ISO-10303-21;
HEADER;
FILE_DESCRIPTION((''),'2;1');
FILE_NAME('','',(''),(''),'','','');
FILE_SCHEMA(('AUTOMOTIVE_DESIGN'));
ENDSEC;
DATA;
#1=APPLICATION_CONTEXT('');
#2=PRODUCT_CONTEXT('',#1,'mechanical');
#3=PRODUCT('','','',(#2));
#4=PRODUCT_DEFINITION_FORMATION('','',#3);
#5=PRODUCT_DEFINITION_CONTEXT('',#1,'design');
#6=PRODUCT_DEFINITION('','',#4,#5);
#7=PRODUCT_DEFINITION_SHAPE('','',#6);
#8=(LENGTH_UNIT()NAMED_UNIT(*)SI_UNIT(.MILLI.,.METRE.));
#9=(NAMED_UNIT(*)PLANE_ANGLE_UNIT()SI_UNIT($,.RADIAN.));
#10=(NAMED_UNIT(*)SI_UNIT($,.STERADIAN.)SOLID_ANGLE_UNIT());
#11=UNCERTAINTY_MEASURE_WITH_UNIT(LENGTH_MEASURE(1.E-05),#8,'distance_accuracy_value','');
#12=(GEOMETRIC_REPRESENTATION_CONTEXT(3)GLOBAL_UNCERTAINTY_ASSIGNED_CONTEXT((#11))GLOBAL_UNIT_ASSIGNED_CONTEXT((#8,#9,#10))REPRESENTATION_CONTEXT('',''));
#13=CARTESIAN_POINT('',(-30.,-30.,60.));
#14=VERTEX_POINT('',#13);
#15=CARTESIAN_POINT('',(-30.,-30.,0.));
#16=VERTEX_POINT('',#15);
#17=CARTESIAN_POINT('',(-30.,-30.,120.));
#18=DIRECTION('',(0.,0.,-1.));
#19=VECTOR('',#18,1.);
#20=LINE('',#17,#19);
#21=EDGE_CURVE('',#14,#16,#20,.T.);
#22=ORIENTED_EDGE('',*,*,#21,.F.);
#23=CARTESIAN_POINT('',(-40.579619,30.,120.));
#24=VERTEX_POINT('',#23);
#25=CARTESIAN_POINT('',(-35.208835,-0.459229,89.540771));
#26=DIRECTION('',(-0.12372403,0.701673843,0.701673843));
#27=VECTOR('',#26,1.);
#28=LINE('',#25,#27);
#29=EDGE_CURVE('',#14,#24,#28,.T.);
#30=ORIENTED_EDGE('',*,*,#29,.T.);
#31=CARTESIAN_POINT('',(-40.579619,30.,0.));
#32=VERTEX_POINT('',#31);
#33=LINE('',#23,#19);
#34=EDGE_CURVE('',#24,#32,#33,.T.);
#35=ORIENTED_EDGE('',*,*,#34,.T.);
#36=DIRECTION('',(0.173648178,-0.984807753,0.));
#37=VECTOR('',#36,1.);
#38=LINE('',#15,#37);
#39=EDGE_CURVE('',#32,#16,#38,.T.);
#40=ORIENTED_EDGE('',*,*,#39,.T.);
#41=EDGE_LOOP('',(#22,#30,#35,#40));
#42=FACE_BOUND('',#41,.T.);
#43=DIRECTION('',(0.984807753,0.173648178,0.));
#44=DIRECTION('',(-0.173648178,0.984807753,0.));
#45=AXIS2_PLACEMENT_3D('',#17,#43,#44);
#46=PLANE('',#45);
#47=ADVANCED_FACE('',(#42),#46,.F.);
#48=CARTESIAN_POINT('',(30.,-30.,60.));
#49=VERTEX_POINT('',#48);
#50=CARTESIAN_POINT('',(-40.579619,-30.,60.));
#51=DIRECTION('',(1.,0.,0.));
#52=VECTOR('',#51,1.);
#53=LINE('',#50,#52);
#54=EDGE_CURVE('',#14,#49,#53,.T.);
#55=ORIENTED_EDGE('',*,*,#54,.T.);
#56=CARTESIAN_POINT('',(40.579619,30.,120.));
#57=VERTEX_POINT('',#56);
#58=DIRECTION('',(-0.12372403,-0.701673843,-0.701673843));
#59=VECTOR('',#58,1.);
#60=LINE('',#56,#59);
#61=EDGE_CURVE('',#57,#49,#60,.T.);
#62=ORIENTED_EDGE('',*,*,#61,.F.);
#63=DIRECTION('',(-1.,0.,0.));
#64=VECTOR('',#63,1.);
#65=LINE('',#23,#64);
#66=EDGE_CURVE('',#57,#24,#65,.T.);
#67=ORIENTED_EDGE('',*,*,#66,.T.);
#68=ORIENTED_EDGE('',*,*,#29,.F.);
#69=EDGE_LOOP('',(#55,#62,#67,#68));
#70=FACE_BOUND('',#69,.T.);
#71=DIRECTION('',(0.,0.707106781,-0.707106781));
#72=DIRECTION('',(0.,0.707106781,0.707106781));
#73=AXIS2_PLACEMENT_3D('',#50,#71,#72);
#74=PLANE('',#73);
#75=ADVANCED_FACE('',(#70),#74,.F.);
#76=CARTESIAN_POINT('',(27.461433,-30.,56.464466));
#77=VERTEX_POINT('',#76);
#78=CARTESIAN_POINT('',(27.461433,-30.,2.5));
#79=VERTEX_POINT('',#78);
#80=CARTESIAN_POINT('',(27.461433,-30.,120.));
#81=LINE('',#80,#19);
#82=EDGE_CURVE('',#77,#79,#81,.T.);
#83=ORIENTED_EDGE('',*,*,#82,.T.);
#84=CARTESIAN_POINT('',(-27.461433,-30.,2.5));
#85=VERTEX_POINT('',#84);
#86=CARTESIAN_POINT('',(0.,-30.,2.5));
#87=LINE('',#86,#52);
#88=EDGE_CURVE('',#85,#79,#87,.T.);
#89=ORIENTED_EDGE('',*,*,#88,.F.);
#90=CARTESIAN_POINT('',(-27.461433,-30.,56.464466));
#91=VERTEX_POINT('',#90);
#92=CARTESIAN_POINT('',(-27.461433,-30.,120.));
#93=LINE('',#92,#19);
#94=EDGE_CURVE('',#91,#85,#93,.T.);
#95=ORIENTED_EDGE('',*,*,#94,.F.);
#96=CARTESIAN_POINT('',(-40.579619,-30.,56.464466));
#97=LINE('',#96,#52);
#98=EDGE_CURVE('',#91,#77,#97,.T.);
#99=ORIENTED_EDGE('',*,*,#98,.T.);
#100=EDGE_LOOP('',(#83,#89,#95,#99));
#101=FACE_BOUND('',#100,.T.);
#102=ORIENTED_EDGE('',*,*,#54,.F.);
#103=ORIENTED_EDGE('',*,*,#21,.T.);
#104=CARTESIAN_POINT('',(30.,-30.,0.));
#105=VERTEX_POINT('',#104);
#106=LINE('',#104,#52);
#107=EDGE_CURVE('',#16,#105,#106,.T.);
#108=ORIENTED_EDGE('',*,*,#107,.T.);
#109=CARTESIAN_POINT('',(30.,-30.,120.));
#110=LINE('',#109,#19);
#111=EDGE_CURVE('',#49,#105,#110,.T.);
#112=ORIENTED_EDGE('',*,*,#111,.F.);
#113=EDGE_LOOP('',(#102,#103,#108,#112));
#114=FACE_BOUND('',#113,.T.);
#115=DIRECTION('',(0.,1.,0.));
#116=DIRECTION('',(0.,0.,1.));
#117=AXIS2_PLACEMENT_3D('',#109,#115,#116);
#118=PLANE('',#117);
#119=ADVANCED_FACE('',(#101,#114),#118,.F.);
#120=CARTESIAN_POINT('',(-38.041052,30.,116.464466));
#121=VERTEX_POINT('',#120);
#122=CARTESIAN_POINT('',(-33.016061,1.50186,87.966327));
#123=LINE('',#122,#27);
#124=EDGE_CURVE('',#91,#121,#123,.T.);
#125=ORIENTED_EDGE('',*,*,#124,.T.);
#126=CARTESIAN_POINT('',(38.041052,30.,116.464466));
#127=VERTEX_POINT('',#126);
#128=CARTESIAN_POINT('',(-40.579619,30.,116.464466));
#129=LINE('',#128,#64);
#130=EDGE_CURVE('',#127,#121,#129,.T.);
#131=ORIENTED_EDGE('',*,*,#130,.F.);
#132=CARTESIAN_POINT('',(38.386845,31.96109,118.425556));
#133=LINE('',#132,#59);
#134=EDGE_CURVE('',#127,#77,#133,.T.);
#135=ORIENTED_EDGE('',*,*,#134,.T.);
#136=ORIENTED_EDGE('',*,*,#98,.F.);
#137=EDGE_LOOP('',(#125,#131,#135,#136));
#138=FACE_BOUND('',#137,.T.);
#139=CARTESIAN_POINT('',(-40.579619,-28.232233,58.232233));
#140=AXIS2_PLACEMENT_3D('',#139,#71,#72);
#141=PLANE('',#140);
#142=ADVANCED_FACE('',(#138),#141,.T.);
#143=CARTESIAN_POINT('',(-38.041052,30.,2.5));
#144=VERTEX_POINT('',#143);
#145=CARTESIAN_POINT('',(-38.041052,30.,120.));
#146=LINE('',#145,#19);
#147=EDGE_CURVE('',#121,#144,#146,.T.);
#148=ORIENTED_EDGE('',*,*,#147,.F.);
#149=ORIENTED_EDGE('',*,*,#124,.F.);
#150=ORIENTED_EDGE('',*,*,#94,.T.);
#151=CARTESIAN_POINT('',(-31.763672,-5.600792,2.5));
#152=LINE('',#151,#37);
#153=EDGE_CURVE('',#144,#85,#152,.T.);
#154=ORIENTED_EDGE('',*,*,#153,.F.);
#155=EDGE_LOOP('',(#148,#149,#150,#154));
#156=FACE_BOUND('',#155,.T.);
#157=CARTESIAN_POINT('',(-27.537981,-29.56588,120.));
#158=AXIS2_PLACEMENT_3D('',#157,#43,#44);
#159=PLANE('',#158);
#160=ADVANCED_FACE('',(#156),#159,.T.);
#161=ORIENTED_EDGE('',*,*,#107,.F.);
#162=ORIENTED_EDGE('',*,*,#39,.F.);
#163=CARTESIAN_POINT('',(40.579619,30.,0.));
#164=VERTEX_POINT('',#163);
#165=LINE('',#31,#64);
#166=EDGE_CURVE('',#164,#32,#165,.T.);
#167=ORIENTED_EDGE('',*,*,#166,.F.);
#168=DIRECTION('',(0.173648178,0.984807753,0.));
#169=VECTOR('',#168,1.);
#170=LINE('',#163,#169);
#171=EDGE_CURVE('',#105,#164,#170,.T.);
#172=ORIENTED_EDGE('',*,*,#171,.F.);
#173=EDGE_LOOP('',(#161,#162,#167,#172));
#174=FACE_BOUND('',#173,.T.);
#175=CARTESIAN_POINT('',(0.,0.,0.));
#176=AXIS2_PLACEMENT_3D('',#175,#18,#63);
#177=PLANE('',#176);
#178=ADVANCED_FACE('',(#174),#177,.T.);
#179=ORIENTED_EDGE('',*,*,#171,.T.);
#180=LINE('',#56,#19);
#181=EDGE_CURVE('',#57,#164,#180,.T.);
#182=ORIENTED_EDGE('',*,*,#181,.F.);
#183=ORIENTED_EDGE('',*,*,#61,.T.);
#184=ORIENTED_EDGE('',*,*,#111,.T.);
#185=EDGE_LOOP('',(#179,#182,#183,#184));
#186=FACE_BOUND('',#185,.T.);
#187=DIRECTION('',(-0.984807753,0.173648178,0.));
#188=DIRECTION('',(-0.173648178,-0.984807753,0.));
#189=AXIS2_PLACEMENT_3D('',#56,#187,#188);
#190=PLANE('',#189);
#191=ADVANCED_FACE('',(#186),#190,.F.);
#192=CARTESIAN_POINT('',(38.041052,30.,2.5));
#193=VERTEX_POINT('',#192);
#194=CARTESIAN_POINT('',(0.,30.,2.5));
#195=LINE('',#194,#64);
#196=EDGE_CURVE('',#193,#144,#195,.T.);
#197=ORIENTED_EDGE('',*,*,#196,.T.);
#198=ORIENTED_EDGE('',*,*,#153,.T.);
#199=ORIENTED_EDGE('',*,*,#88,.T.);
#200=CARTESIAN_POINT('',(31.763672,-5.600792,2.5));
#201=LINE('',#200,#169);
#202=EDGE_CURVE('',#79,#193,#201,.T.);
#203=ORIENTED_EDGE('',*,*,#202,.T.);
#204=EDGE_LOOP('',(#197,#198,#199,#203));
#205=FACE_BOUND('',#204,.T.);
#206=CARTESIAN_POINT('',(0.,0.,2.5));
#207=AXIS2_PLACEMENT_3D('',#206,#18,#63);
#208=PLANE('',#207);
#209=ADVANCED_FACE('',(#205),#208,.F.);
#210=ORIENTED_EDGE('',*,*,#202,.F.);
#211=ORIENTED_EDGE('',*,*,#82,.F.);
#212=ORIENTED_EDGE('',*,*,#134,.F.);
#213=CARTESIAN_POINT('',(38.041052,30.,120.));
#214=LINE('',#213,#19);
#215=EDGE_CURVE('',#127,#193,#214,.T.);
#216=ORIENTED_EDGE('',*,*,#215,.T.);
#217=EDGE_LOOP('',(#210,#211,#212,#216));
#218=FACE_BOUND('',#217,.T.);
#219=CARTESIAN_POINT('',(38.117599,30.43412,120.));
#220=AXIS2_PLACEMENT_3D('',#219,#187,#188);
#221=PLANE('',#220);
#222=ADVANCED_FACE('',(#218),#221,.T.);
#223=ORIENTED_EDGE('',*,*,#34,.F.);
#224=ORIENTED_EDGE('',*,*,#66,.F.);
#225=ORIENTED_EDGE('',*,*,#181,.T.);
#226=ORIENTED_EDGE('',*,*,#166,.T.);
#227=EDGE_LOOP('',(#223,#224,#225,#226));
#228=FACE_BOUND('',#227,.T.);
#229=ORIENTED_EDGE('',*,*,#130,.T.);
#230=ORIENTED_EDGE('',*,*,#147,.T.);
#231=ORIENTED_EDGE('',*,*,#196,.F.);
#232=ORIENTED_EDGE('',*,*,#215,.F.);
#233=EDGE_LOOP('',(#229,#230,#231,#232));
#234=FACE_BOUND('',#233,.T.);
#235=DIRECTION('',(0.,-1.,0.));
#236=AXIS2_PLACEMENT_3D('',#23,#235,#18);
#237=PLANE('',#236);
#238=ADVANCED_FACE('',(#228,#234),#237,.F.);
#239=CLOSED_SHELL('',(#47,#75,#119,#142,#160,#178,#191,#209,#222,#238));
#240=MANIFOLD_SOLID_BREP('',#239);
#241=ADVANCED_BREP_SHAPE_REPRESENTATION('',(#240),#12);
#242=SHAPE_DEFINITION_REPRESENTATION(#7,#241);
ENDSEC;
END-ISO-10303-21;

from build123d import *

# Parameters (mm, degrees)
BOSS_EXTRUDE1_DEPTH     = 120
CUT_EXTRUDE1_DEPTH      = 131.179512464
CUT_EXTRUDE1_DEPTH_BACK = 131.179512464
SHELL1_T                = -2.5


with BuildPart() as part:
    # Sketch1 → Boss-Extrude1 (new body)
    with BuildSketch(Plane.XY):
        Polygon((-40.579618843, 30), (40.579618843, 30), (30, -30), (-30, -30), align=None)
    extrude(amount=BOSS_EXTRUDE1_DEPTH)

    # Sketch2 → Cut-Extrude1 (cut, two sides: drawn at the far end of the back side and taken through both)
    with BuildSketch(Plane(origin=(0, 0, 0), x_dir=(0, 0, -1), z_dir=(1, 0, 0)).offset(-CUT_EXTRUDE1_DEPTH_BACK)):
        Polygon((-120, 30), (-120, -30), (-60, -30), align=None)
    extrude(amount=CUT_EXTRUDE1_DEPTH + CUT_EXTRUDE1_DEPTH_BACK, mode=Mode.SUBTRACT)

    # Shell1
    shell1_openings = [part.faces().sort_by_distance(p)[0] for p in [
        (0, -30, 30),
        (0, 30, 60),
    ]]
    offset(amount=SHELL1_T, openings=shell1_openings, kind=Kind.INTERSECTION)


solid = part.part
